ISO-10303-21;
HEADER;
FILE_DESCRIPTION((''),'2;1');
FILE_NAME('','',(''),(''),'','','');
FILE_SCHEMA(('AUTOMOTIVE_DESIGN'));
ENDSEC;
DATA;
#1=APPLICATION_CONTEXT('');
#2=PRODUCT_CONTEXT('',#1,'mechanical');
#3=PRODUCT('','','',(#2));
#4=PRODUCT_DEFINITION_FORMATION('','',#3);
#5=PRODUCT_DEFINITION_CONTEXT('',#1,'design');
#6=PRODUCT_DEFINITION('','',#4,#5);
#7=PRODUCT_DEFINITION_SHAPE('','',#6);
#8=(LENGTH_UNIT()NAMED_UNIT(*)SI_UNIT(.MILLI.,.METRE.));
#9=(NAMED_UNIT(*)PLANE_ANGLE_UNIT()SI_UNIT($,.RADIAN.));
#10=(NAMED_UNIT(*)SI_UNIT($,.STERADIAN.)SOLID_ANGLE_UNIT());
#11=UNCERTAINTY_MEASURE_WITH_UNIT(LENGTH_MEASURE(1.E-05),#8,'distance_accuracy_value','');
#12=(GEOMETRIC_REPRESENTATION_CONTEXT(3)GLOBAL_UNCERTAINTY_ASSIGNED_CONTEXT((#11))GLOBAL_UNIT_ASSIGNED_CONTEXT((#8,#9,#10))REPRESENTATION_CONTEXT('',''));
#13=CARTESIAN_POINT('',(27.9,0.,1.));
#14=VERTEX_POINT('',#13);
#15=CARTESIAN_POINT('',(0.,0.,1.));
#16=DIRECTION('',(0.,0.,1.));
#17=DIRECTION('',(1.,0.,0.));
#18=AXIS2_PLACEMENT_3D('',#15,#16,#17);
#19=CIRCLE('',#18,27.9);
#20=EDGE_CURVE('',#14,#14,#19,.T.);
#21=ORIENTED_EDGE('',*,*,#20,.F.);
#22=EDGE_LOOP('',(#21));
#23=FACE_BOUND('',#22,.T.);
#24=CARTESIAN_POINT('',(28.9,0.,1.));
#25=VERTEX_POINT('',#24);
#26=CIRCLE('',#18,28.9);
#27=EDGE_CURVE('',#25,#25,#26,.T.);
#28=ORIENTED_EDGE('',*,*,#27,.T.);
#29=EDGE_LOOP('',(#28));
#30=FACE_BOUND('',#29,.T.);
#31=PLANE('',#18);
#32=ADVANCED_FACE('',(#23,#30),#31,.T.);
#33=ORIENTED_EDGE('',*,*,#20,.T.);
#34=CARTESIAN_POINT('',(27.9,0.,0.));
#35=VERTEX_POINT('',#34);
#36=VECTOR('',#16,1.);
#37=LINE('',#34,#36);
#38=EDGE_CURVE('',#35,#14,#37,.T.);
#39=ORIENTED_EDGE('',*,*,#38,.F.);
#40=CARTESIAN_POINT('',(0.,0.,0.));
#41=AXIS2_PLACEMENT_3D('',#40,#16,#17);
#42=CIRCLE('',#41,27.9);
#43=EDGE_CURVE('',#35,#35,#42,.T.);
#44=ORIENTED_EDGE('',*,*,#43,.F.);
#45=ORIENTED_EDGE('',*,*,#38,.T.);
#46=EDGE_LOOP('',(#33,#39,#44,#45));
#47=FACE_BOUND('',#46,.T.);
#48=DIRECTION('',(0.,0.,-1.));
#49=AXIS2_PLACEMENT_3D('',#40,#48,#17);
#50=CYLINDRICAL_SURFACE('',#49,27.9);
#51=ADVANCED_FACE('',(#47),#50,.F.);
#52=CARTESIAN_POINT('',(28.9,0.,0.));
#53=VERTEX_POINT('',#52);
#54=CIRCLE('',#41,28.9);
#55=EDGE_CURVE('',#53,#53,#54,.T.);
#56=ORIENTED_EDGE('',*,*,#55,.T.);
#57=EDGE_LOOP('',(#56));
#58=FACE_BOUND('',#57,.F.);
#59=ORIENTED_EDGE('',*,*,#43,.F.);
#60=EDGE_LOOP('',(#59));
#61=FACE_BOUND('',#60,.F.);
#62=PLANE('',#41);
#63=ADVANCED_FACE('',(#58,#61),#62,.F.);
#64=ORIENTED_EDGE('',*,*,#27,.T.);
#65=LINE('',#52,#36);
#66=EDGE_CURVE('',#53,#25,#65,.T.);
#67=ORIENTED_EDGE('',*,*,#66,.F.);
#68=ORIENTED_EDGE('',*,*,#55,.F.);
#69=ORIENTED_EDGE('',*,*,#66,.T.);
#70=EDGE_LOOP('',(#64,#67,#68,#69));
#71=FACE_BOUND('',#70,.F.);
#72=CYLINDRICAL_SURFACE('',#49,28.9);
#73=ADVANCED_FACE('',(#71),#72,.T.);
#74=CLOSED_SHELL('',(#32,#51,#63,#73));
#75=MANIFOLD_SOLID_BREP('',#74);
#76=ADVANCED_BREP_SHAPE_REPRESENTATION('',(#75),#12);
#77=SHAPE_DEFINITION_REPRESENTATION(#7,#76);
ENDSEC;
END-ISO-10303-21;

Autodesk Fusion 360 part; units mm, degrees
sketch "Esquisse1" plane through (0, 0, 0) normal (0, 0, 1) x (1, 0, 0)
  circle A0 centre (0, 0) radius 27.9
  circle A1 centre (0, 0) radius 28.9
  dimension "d1" = 55.8
  dimension "d2" = 57.8
extrude "Extrusion1" add sketch "Esquisse1" along normal blind 1
